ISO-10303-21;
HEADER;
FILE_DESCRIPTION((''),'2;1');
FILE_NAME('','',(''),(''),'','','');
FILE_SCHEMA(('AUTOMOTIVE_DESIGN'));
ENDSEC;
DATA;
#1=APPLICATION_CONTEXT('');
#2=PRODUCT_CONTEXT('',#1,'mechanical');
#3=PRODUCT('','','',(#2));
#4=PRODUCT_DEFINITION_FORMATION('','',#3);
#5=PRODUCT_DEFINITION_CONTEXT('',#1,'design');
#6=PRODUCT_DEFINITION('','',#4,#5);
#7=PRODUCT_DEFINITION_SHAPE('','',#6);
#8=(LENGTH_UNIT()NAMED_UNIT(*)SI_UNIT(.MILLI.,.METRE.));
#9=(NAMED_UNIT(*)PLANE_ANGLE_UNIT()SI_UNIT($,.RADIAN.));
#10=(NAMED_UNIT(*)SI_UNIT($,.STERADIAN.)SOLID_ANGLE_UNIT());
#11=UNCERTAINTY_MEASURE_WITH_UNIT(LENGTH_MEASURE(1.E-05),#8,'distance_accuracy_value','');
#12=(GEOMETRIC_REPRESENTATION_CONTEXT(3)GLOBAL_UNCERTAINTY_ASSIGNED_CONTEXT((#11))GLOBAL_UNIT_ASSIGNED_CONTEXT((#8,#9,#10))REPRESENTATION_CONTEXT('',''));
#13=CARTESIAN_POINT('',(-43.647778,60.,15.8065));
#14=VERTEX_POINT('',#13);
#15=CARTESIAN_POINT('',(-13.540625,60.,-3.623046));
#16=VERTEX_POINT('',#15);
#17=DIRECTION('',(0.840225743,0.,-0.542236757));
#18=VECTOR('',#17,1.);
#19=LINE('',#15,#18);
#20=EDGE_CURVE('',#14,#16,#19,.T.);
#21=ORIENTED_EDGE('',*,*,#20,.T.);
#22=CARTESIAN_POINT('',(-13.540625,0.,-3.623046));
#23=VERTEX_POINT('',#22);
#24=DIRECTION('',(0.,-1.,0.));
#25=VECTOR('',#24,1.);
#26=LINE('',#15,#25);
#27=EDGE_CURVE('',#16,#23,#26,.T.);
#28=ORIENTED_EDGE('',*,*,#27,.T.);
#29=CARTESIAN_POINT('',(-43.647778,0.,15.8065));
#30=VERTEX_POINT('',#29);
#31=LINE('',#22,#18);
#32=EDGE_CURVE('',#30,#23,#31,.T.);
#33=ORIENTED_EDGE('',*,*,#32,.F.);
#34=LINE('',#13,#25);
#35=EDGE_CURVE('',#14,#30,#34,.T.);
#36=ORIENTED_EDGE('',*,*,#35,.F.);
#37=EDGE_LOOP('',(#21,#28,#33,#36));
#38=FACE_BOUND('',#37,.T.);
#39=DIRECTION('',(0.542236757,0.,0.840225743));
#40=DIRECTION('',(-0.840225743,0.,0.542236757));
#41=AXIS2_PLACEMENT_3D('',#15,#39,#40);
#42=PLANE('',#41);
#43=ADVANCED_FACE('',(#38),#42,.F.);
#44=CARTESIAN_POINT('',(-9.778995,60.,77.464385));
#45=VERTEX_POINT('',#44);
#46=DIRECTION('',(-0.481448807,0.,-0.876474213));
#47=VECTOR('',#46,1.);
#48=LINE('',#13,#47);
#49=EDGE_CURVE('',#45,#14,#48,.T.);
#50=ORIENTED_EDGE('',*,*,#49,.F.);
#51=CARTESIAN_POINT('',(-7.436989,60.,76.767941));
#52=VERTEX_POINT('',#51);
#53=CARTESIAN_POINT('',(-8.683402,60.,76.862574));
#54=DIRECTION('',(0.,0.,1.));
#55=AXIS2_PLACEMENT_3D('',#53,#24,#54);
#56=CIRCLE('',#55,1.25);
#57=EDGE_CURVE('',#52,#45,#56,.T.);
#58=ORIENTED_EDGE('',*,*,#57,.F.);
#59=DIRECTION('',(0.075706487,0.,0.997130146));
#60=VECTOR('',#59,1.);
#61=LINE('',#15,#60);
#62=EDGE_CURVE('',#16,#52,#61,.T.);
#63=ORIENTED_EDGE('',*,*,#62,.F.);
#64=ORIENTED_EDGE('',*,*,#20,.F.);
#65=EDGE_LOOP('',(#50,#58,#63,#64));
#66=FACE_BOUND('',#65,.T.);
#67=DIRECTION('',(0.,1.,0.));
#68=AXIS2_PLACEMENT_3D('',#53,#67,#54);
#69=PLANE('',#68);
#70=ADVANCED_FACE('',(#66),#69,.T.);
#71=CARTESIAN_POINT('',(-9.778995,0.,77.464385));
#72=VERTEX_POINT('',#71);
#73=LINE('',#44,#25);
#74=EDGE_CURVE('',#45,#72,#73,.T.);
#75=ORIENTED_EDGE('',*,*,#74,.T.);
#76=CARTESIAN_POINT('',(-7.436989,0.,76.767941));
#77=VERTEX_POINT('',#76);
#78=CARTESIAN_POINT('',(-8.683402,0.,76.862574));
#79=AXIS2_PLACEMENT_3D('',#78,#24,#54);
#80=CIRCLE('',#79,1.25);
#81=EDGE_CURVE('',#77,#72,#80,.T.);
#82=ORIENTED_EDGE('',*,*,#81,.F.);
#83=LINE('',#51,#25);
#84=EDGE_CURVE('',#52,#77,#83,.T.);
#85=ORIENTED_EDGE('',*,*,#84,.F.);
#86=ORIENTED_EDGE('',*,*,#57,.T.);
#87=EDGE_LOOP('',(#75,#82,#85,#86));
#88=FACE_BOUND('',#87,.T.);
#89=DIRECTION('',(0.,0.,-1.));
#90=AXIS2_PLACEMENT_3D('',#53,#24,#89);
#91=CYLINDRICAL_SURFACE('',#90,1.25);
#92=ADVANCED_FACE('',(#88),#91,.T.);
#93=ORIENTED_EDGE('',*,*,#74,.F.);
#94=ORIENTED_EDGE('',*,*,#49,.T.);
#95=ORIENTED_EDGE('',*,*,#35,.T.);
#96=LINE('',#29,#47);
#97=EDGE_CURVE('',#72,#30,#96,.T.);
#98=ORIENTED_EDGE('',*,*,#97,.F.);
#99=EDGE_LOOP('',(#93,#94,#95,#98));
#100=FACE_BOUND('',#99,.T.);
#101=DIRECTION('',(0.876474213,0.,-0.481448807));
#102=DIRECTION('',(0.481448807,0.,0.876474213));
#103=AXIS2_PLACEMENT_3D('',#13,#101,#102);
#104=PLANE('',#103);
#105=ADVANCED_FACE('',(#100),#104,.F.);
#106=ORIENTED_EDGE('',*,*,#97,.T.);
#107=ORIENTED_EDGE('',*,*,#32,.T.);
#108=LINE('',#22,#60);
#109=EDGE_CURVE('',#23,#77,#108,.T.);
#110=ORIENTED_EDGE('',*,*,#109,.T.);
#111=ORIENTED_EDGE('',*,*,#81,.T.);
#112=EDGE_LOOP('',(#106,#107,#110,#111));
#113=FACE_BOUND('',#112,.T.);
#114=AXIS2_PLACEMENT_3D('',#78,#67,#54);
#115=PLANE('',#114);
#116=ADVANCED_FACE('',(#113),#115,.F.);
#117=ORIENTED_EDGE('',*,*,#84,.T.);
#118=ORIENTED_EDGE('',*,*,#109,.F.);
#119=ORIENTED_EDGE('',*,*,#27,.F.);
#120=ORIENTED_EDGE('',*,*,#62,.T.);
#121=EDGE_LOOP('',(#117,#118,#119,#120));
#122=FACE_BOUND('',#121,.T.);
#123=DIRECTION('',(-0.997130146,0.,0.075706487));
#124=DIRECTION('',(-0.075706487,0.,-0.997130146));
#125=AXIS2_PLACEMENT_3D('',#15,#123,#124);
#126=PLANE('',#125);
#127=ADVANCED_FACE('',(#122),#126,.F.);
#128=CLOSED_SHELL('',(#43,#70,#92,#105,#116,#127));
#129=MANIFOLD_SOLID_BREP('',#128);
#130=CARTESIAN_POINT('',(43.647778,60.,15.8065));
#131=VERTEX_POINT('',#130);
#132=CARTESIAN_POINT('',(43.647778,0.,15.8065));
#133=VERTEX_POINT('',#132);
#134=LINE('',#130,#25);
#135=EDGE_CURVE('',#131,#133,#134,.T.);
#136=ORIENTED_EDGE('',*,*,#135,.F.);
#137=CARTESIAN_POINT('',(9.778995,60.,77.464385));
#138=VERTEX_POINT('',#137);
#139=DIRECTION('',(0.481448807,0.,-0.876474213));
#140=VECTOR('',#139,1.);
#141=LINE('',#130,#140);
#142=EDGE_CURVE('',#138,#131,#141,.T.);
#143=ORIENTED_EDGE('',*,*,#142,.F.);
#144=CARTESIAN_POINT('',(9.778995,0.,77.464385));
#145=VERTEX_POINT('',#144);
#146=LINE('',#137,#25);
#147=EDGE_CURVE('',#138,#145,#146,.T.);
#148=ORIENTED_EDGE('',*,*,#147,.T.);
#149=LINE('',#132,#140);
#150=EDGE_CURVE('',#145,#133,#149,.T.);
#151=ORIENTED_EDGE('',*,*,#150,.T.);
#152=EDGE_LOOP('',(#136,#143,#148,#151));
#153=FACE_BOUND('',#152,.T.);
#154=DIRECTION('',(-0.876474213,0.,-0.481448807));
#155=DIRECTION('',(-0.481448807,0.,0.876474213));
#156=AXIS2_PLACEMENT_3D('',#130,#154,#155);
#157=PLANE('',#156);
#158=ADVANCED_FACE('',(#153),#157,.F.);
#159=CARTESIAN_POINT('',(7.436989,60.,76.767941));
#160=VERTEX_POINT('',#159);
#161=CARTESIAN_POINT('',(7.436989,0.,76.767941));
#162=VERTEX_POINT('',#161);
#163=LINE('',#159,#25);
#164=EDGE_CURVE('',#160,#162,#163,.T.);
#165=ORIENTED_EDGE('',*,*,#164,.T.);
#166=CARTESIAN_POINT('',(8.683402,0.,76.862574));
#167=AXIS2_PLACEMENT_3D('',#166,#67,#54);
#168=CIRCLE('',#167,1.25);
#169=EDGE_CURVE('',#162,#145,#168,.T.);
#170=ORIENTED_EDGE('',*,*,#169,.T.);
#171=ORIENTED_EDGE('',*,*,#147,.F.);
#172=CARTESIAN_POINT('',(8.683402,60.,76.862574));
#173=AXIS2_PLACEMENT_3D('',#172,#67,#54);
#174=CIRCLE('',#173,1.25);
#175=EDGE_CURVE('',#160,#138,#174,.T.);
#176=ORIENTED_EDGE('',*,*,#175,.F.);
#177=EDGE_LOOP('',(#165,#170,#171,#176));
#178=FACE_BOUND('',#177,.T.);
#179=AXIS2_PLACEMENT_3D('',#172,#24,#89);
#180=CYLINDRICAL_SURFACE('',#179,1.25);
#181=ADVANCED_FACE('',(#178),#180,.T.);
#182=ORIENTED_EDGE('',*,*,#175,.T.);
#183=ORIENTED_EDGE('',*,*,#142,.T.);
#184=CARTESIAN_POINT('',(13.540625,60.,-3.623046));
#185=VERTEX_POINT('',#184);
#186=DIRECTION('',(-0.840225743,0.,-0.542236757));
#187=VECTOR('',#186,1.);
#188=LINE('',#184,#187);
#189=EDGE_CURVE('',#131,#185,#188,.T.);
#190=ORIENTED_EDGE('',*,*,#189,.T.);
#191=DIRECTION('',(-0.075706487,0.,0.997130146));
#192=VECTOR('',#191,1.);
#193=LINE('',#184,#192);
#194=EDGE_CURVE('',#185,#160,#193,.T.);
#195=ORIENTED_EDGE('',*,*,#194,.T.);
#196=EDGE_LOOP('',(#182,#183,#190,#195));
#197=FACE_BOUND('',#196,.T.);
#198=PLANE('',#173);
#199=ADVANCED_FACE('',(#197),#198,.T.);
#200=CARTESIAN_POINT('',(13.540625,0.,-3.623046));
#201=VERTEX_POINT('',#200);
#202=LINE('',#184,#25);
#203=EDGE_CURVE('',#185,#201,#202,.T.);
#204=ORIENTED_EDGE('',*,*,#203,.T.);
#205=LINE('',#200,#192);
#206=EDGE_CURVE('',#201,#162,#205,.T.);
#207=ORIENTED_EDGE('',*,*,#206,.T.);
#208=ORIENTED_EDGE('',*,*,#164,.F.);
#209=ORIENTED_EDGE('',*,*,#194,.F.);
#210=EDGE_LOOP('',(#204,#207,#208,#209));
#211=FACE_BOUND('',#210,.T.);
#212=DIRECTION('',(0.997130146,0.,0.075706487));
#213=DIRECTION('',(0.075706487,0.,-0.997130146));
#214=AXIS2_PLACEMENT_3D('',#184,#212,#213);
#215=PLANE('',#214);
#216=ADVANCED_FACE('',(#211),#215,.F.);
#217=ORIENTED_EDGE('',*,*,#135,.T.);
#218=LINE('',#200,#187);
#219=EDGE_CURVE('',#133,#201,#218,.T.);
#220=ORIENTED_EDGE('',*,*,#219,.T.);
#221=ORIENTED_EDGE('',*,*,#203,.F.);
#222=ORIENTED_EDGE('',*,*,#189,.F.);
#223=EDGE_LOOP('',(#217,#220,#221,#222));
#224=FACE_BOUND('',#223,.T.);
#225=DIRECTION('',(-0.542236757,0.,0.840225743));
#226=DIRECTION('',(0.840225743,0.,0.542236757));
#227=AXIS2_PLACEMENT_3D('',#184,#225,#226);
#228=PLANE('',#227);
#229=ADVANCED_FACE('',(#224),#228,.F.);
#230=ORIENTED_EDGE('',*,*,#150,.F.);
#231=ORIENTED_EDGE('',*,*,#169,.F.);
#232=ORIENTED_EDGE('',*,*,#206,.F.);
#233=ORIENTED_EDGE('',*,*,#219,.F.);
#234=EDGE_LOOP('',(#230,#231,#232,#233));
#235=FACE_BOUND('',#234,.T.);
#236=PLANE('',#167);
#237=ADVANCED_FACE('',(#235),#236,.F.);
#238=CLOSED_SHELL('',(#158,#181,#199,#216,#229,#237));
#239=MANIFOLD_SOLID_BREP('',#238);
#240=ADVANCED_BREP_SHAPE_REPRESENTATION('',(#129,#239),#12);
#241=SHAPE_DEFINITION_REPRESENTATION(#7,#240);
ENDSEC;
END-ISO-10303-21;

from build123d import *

# Parameters (mm, degrees)
BOSS_EXTRUDE1_DEPTH = 60


with BuildPart() as part:
    # Sketch2 → Boss-Extrude1 (new body)
    with BuildSketch(Plane(origin=(0, 0, 0), x_dir=(1, 0, 0), z_dir=(0, 1, 0))):
        with BuildLine():
            Line((13.540624936, 3.623045913), (7.436989183, -76.767941202))
            ThreePointArc((7.436989183, -76.767941202), (8.327108076, -78.060720686), (9.778994631, -77.464385319))
            Line((9.778994631, -77.464385319), (43.647777878, -15.806500364))
            Line((43.647777878, -15.806500364), (13.540624936, 3.623045913))
        make_face()
    extrude(amount=BOSS_EXTRUDE1_DEPTH)


with BuildPart() as body_2:
    # Mirror2: mirrored copy
    add(part.part.mirror(Plane(origin=(0, 0, 0), x_dir=(0, 0, 1), z_dir=(1, 0, 0))))


solid = Compound([part.part, body_2.part])
